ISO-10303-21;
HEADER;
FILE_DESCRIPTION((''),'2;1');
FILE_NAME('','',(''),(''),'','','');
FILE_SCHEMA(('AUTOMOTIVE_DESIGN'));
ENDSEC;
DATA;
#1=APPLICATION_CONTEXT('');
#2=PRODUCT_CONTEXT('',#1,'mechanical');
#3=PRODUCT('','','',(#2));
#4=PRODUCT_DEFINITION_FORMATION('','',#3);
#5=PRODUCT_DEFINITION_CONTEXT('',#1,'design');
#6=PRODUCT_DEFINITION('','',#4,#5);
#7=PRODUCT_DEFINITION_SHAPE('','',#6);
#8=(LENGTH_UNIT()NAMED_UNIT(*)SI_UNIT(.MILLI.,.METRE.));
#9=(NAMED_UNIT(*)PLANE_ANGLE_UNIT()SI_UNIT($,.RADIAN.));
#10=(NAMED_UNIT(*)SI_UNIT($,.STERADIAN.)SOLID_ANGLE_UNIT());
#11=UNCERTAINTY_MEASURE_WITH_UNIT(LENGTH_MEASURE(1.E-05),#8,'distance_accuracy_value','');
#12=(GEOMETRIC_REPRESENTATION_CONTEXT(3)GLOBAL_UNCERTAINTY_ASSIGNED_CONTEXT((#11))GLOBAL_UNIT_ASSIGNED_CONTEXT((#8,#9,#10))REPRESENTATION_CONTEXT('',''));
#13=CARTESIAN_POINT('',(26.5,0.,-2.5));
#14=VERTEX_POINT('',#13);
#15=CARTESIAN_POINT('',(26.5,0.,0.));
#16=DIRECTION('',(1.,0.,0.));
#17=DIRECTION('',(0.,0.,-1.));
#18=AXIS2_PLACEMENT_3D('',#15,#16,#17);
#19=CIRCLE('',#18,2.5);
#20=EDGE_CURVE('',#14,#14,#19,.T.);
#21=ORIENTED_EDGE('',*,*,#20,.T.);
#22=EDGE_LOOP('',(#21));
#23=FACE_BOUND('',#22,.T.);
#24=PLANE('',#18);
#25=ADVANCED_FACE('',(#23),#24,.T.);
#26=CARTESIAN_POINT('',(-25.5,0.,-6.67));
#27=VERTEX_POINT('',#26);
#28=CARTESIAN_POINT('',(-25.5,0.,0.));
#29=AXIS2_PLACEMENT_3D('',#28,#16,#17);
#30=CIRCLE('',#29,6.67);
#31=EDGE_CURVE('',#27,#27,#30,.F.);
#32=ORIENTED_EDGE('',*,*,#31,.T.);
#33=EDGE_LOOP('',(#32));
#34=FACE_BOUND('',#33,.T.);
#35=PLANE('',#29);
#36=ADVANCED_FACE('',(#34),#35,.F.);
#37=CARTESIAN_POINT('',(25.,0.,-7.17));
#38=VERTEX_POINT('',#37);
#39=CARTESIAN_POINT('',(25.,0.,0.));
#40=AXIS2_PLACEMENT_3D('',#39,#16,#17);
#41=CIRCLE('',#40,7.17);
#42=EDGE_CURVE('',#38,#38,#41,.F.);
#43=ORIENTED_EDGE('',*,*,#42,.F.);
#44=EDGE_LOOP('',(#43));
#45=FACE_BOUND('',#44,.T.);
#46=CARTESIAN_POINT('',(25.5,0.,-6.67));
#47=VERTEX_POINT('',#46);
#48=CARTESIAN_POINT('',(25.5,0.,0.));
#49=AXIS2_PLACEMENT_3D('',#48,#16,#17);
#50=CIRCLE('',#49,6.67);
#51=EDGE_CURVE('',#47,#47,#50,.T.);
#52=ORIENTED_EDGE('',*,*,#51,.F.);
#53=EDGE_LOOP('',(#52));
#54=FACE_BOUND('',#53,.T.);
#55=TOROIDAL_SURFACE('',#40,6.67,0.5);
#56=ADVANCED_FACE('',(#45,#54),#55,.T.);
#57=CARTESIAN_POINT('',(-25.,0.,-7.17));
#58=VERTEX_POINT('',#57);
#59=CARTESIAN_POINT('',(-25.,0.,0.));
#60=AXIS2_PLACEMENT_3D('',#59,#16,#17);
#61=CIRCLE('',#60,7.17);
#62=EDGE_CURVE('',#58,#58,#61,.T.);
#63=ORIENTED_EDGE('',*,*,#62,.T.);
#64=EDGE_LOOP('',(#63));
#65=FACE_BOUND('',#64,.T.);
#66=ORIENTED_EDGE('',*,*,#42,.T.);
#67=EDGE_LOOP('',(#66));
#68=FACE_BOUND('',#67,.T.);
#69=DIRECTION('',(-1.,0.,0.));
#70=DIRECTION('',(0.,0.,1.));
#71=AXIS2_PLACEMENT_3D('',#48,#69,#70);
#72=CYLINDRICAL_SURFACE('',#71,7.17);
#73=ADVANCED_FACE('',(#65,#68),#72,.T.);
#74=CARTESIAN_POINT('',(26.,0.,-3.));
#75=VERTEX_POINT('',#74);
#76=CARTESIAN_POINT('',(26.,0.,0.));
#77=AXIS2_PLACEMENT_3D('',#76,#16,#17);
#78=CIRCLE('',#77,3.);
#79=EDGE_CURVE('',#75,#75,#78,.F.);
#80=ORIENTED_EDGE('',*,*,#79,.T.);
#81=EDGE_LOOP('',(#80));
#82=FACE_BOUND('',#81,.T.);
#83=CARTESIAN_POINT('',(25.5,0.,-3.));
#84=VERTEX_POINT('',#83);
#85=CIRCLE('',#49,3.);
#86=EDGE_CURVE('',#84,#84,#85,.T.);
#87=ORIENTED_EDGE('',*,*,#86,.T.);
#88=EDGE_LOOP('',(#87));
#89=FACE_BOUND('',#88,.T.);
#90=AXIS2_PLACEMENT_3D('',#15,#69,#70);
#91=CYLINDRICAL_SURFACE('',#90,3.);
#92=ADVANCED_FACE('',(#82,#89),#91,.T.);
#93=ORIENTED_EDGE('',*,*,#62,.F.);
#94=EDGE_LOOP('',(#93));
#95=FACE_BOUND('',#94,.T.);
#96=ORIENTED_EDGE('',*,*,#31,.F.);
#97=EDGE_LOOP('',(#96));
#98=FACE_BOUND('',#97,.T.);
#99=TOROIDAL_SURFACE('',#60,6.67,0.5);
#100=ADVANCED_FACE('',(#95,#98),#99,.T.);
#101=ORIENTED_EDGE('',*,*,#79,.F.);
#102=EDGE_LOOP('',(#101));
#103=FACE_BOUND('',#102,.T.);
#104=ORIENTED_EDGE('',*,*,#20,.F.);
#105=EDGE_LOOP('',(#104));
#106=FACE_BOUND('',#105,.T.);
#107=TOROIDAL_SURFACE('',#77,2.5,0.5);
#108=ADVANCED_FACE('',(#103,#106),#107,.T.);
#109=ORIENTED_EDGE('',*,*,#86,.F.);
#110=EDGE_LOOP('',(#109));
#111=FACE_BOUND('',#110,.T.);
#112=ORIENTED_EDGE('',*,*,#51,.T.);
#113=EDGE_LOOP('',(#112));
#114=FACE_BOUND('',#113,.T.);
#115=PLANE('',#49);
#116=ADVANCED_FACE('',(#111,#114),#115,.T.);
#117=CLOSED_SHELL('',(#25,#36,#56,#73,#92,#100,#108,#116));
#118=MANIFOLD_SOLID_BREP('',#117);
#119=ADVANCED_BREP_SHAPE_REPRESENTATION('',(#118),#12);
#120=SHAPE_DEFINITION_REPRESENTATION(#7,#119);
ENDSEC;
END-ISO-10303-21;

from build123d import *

# Parameters (mm, degrees)
SKETCH1_R           = 7.17
BOSS_EXTRUDE1_DEPTH = 25.5
SKETCH2_R           = 3
BOSS_EXTRUDE2_DEPTH = 1
FILLET1_R           = 0.5


with BuildPart() as part:
    # Sketch1 → Boss-Extrude1 (new, symmetric)
    with BuildSketch(Plane(origin=(0, 0, 0), x_dir=(0, 0, -1), z_dir=(1, 0, 0))):
        Circle(SKETCH1_R)
    extrude(amount=BOSS_EXTRUDE1_DEPTH, both=True)

    # Sketch2 → Boss-Extrude2 (add)
    with BuildSketch(Plane(origin=(25.5, 0, 0), x_dir=(0, 0, -1), z_dir=(1, 0, 0))):
        Circle(SKETCH2_R)
    extrude(amount=BOSS_EXTRUDE2_DEPTH)

    # Fillet1
    fillet1_edges = [part.edges().sort_by_distance(p)[0] for p in [
        (-25.5, 0, 7.17),
        (25.5, 0, 7.17),
        (26.5, 0, 3),
    ]]
    fillet(fillet1_edges, radius=FILLET1_R)


solid = part.part
